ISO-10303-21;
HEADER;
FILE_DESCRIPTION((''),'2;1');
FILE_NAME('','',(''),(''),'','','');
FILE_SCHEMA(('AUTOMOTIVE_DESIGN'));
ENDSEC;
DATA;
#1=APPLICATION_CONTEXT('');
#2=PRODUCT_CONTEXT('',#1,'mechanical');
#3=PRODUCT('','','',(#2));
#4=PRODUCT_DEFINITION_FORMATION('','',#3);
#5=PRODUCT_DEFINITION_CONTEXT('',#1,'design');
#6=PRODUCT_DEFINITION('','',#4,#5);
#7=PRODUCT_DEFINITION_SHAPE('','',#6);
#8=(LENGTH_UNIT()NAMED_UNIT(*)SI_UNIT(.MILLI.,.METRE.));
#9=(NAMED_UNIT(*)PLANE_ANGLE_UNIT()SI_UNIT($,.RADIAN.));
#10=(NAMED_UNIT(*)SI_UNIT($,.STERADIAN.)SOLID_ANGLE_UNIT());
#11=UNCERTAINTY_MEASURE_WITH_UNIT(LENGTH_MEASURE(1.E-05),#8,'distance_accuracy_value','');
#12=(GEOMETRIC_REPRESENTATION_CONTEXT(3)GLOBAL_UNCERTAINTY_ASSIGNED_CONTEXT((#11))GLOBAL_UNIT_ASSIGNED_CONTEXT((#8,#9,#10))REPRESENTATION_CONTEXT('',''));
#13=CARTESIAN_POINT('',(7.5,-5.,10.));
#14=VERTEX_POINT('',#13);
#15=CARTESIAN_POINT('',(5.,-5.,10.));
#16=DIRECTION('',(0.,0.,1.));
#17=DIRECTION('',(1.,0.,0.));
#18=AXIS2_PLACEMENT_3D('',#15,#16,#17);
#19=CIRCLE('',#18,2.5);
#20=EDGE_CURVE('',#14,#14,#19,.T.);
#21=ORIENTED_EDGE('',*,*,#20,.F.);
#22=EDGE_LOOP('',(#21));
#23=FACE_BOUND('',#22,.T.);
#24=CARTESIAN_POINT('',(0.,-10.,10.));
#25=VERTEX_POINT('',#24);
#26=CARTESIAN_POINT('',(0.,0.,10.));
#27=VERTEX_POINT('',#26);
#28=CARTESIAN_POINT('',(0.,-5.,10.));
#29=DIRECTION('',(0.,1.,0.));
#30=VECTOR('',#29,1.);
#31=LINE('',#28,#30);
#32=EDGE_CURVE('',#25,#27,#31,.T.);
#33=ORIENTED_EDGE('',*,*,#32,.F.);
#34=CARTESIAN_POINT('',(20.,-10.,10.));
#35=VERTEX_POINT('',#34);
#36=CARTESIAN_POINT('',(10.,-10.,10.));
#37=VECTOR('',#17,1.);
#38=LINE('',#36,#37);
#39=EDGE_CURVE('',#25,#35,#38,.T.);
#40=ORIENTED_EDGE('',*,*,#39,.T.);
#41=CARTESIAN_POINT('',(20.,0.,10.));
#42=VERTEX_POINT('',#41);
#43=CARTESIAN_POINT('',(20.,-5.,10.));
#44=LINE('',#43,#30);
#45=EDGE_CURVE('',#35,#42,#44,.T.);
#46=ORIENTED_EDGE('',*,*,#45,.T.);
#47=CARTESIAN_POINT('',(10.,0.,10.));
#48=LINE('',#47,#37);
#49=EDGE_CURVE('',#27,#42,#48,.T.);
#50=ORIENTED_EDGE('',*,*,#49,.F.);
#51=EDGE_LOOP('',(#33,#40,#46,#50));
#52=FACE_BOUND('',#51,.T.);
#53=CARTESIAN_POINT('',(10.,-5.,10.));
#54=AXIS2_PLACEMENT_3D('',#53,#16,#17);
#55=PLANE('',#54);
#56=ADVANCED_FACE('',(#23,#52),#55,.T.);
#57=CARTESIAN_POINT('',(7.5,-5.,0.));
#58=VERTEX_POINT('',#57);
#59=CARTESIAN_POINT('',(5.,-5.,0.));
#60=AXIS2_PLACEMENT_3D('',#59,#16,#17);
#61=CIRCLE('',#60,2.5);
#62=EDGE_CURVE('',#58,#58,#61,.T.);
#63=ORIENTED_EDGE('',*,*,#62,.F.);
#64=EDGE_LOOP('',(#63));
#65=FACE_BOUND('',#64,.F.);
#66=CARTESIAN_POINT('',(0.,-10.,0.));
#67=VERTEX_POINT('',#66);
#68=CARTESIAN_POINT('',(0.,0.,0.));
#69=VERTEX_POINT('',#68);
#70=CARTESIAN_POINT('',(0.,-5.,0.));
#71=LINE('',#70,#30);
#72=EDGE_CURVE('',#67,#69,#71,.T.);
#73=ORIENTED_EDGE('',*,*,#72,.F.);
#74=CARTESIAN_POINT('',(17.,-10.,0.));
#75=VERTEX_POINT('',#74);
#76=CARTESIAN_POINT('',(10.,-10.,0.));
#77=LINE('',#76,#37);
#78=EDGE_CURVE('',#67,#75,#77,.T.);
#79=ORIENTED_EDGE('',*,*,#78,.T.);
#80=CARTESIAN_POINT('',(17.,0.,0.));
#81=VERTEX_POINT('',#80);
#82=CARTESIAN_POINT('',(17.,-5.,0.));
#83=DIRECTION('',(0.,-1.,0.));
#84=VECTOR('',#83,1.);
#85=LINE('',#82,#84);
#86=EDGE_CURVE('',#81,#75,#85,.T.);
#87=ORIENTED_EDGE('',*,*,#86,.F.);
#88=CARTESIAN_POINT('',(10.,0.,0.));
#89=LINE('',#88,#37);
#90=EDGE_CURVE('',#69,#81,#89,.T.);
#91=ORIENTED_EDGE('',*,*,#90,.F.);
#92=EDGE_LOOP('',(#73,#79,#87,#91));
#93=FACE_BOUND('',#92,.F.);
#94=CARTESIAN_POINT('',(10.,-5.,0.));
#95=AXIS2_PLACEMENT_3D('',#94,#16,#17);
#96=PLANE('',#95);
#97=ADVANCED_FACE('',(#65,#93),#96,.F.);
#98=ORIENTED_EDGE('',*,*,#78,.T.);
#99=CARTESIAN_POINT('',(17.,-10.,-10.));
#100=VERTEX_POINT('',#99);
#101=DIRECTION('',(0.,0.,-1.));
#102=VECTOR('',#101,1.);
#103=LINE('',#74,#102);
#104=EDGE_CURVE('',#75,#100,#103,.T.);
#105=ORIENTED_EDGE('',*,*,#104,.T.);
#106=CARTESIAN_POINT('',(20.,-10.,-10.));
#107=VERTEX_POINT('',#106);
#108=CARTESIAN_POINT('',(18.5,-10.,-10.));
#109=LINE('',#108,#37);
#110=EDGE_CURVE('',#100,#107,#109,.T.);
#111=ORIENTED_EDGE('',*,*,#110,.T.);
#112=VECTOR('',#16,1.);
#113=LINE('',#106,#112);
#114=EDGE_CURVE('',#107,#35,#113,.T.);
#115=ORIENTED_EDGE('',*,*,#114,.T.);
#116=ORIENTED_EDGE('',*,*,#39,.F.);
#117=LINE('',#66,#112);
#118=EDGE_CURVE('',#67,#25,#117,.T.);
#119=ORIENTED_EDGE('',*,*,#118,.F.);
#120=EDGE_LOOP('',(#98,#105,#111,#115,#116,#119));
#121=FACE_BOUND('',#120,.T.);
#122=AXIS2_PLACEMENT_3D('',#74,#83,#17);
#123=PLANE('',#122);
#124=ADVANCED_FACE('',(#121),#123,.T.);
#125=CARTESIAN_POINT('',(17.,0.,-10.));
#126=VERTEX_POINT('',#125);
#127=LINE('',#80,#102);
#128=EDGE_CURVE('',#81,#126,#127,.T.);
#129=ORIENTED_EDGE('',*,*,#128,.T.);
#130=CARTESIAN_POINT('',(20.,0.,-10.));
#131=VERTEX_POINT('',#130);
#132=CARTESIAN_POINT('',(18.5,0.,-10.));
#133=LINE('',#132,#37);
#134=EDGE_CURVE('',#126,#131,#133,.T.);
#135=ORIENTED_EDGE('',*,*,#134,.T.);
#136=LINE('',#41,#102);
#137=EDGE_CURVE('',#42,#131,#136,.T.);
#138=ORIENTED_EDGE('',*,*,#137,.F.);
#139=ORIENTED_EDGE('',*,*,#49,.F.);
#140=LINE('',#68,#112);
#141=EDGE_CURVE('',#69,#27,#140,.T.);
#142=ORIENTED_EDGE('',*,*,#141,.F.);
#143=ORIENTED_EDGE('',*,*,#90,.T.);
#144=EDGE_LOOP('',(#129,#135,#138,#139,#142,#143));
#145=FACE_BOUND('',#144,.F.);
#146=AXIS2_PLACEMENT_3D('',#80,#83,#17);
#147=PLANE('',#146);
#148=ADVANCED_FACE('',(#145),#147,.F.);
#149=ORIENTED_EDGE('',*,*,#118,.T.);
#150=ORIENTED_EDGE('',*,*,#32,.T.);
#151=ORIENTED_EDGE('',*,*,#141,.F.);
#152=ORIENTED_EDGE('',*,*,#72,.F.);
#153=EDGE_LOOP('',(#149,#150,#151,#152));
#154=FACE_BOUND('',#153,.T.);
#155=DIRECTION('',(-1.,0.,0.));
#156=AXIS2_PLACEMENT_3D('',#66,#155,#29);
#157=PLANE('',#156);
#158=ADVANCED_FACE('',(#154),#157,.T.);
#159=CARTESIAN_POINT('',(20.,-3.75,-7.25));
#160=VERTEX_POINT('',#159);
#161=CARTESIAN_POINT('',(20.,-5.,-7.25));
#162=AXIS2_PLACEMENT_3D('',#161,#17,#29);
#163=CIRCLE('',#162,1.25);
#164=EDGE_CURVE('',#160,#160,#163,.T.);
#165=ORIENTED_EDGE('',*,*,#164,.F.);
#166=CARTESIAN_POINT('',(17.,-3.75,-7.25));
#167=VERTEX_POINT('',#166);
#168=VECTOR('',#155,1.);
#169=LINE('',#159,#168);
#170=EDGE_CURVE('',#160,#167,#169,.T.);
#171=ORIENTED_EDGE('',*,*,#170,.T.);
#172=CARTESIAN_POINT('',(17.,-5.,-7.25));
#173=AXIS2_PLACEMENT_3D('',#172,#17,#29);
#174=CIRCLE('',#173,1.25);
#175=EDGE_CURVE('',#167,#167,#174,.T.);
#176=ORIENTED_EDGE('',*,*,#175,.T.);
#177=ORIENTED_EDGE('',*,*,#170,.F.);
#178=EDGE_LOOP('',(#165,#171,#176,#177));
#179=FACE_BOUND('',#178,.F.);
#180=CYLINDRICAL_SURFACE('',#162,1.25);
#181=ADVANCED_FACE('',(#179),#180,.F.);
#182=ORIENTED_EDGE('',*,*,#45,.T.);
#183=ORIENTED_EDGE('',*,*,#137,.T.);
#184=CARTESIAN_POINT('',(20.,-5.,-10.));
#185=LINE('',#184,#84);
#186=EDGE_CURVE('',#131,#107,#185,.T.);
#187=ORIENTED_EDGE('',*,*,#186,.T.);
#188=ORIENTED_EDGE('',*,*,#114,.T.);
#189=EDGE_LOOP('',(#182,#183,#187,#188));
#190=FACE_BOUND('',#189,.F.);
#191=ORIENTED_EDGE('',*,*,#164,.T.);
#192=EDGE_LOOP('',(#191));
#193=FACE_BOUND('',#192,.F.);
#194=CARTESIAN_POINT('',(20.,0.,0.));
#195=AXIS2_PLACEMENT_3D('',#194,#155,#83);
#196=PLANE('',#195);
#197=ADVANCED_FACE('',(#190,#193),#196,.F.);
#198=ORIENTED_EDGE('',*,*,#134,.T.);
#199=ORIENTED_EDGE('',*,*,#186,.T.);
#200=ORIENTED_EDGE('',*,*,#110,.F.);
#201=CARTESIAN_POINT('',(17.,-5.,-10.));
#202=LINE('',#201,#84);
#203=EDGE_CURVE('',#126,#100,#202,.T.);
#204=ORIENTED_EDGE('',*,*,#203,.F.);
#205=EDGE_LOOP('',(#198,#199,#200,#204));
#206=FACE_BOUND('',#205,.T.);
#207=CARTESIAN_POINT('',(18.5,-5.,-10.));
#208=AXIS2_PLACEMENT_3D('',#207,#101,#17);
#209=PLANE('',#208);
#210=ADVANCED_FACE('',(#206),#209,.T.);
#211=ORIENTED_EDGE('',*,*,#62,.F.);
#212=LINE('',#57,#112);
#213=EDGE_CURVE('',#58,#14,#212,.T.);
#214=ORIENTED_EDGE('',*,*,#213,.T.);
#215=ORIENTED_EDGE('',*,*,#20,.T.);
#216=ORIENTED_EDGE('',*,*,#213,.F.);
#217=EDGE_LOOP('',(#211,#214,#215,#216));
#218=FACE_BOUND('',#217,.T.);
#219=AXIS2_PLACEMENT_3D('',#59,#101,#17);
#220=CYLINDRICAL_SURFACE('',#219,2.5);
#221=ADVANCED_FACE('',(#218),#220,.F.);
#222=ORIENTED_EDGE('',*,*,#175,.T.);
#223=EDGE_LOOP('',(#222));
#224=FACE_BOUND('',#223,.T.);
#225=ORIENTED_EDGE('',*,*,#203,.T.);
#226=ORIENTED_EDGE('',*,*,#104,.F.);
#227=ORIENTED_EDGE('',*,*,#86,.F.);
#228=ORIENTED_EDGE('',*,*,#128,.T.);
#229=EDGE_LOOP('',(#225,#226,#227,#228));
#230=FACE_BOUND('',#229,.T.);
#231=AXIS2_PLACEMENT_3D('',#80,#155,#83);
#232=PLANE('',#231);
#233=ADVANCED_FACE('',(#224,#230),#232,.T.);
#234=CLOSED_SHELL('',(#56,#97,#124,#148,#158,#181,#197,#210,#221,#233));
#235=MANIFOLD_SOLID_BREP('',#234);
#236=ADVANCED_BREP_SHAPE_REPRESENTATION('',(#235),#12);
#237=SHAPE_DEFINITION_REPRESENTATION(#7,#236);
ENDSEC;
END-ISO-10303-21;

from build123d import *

# Parameters (mm, degrees)
F0_W     = 20
F0_H     = 10
F0_R     = 2.5
F1_DEPTH = 10
F2_W     = 3
F2_H     = 10
F3_DEPTH = 10
F4_R     = 1.25
F5_DEPTH = 3


with BuildPart() as f1:
    # F0 (on Top) → F1 (new body)
    with BuildSketch(Plane.XY):
        with Locations((10, -5)):
            Rectangle(F0_W, F0_H)
        with Locations((5, -5)):
            Circle(F0_R, mode=Mode.SUBTRACT)
    extrude(amount=F1_DEPTH)

    # F2 (on face) → F3 (join)
    with BuildSketch(Plane(origin=(0, 0, 0), x_dir=(1, 0, 0), z_dir=(0, 0, -1))):
        with Locations((18.5, 5)):
            Rectangle(F2_W, F2_H)
    extrude(amount=F3_DEPTH)

    # F4 (on face) → F5 (cut, through all)
    with BuildSketch(Plane.YZ.offset(20)):
        with Locations((-5, -7.25)):
            Circle(F4_R)
    extrude(amount=-F5_DEPTH, mode=Mode.SUBTRACT)


solid = f1.part
